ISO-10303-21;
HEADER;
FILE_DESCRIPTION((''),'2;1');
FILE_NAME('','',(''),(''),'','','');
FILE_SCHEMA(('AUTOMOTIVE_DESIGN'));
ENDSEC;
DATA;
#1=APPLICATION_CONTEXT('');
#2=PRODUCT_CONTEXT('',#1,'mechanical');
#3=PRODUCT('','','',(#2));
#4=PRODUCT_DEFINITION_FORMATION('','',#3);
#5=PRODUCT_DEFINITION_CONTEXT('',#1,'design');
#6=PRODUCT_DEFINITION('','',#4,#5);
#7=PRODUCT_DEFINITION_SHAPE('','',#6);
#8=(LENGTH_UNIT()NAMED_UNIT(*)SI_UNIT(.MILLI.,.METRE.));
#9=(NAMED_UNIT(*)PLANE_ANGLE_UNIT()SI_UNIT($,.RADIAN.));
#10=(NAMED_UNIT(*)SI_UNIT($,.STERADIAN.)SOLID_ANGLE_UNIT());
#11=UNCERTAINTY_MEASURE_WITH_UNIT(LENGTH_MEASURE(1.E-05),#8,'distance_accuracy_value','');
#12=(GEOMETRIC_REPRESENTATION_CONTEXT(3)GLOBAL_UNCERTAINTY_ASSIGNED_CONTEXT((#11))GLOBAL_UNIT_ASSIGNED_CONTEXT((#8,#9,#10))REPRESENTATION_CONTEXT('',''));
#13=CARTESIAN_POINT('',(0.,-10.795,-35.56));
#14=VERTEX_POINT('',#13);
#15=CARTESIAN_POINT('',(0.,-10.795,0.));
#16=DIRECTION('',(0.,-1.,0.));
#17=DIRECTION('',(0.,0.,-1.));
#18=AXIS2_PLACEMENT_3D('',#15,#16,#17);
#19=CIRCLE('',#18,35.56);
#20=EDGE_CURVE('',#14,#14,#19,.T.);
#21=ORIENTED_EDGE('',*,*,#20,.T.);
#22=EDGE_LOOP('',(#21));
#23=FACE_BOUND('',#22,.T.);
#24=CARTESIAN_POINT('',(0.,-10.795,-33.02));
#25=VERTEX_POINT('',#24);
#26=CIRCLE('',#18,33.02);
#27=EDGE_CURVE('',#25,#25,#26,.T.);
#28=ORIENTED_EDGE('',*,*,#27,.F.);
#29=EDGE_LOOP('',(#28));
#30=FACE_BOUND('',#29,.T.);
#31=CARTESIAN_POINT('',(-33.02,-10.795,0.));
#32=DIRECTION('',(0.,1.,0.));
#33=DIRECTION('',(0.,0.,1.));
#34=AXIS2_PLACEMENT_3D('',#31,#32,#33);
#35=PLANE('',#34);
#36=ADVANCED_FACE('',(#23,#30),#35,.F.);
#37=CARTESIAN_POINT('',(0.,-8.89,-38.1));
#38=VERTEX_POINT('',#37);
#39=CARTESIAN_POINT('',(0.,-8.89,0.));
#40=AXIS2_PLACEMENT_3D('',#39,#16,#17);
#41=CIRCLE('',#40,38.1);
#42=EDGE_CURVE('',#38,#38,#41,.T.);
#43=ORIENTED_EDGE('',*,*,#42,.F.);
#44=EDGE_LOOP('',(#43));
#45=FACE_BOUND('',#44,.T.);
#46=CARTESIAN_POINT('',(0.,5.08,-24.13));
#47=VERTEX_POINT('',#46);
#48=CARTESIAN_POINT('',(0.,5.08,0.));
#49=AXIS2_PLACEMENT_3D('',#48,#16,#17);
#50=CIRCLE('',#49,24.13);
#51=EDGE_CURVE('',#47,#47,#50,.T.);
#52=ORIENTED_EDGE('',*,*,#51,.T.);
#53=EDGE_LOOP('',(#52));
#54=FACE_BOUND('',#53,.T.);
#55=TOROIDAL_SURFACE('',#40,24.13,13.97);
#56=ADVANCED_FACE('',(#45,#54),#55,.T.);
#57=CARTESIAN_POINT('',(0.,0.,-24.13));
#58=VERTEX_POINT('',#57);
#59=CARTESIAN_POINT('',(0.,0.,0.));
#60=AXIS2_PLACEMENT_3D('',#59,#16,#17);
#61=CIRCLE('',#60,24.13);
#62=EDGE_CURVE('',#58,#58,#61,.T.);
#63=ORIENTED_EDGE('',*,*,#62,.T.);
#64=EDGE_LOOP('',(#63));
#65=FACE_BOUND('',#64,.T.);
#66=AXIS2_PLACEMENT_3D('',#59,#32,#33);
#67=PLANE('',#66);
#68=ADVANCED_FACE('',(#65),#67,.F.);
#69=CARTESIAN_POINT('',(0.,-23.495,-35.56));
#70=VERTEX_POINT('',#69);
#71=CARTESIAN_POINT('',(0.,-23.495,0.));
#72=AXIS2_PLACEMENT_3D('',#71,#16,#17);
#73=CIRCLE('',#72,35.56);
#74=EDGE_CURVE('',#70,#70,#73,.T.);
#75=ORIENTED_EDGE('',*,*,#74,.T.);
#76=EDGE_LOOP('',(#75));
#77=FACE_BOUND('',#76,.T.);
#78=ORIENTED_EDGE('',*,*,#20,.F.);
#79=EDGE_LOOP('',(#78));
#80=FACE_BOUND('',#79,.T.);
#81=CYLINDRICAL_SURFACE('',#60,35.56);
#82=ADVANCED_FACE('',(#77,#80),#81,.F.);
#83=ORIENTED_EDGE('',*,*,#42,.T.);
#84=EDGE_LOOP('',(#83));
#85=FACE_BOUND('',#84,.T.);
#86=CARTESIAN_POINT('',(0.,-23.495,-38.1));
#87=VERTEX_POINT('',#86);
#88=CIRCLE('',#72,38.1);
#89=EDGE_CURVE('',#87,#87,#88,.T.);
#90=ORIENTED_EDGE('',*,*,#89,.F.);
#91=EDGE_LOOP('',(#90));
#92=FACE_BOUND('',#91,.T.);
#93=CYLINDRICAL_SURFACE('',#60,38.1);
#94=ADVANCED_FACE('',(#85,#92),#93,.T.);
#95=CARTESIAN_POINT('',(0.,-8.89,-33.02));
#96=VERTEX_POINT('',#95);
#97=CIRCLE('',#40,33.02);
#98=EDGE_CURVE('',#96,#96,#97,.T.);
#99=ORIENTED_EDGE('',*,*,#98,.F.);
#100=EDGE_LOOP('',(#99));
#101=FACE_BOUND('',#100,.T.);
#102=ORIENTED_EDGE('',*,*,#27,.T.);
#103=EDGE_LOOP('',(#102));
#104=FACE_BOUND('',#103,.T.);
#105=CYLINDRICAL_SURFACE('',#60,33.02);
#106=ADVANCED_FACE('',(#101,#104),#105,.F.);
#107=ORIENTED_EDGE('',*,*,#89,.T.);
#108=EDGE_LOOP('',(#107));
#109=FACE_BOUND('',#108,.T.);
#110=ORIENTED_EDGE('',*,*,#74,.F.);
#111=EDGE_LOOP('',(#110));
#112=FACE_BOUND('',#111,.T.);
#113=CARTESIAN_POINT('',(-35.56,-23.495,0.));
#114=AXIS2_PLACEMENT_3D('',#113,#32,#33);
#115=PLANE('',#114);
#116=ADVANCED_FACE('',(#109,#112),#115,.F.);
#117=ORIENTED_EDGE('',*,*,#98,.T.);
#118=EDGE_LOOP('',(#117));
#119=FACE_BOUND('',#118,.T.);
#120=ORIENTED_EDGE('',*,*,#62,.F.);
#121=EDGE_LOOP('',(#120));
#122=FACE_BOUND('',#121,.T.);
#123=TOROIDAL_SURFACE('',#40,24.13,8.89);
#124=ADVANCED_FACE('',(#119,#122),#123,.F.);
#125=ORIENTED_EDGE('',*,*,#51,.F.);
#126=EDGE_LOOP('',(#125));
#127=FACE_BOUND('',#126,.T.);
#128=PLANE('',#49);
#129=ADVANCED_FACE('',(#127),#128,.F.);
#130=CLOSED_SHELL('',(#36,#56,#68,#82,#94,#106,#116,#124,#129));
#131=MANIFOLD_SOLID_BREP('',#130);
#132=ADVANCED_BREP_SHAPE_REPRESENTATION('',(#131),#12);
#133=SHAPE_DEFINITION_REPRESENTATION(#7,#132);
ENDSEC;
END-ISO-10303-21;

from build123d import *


with BuildPart() as part:
    # Sketch1 → Revolve1 (revolve)
    with BuildSketch(Plane.XY, mode=Mode.PRIVATE) as revolve1_sk:
        with BuildLine():
            Line((0, 0), (-24.13, 0))
            ThreePointArc((-24.13, 0), (-30.416179285, -2.603820715), (-33.02, -8.89))
            Line((-33.02, -8.89), (-33.02, -10.795))
            Line((-33.02, -10.795), (-35.56, -10.795))
            Line((-35.56, -10.795), (-35.56, -23.495))
            Line((-35.56, -23.495), (-38.1, -23.495))
            Line((-38.1, -23.495), (-38.1, -8.89))
            ThreePointArc((-38.1, -8.89), (-34.008281733, 0.988281733), (-24.13, 5.08))
            Line((-24.13, 5.08), (0, 5.08))
            Line((0, 5.08), (0, 0))
        make_face()
    revolve(revolve1_sk.sketch.rotate(Axis((0, 0, 0), (0, 1, 0)), 270), axis=Axis((0, 0, 0), (0, 1, 0)))


solid = part.part
